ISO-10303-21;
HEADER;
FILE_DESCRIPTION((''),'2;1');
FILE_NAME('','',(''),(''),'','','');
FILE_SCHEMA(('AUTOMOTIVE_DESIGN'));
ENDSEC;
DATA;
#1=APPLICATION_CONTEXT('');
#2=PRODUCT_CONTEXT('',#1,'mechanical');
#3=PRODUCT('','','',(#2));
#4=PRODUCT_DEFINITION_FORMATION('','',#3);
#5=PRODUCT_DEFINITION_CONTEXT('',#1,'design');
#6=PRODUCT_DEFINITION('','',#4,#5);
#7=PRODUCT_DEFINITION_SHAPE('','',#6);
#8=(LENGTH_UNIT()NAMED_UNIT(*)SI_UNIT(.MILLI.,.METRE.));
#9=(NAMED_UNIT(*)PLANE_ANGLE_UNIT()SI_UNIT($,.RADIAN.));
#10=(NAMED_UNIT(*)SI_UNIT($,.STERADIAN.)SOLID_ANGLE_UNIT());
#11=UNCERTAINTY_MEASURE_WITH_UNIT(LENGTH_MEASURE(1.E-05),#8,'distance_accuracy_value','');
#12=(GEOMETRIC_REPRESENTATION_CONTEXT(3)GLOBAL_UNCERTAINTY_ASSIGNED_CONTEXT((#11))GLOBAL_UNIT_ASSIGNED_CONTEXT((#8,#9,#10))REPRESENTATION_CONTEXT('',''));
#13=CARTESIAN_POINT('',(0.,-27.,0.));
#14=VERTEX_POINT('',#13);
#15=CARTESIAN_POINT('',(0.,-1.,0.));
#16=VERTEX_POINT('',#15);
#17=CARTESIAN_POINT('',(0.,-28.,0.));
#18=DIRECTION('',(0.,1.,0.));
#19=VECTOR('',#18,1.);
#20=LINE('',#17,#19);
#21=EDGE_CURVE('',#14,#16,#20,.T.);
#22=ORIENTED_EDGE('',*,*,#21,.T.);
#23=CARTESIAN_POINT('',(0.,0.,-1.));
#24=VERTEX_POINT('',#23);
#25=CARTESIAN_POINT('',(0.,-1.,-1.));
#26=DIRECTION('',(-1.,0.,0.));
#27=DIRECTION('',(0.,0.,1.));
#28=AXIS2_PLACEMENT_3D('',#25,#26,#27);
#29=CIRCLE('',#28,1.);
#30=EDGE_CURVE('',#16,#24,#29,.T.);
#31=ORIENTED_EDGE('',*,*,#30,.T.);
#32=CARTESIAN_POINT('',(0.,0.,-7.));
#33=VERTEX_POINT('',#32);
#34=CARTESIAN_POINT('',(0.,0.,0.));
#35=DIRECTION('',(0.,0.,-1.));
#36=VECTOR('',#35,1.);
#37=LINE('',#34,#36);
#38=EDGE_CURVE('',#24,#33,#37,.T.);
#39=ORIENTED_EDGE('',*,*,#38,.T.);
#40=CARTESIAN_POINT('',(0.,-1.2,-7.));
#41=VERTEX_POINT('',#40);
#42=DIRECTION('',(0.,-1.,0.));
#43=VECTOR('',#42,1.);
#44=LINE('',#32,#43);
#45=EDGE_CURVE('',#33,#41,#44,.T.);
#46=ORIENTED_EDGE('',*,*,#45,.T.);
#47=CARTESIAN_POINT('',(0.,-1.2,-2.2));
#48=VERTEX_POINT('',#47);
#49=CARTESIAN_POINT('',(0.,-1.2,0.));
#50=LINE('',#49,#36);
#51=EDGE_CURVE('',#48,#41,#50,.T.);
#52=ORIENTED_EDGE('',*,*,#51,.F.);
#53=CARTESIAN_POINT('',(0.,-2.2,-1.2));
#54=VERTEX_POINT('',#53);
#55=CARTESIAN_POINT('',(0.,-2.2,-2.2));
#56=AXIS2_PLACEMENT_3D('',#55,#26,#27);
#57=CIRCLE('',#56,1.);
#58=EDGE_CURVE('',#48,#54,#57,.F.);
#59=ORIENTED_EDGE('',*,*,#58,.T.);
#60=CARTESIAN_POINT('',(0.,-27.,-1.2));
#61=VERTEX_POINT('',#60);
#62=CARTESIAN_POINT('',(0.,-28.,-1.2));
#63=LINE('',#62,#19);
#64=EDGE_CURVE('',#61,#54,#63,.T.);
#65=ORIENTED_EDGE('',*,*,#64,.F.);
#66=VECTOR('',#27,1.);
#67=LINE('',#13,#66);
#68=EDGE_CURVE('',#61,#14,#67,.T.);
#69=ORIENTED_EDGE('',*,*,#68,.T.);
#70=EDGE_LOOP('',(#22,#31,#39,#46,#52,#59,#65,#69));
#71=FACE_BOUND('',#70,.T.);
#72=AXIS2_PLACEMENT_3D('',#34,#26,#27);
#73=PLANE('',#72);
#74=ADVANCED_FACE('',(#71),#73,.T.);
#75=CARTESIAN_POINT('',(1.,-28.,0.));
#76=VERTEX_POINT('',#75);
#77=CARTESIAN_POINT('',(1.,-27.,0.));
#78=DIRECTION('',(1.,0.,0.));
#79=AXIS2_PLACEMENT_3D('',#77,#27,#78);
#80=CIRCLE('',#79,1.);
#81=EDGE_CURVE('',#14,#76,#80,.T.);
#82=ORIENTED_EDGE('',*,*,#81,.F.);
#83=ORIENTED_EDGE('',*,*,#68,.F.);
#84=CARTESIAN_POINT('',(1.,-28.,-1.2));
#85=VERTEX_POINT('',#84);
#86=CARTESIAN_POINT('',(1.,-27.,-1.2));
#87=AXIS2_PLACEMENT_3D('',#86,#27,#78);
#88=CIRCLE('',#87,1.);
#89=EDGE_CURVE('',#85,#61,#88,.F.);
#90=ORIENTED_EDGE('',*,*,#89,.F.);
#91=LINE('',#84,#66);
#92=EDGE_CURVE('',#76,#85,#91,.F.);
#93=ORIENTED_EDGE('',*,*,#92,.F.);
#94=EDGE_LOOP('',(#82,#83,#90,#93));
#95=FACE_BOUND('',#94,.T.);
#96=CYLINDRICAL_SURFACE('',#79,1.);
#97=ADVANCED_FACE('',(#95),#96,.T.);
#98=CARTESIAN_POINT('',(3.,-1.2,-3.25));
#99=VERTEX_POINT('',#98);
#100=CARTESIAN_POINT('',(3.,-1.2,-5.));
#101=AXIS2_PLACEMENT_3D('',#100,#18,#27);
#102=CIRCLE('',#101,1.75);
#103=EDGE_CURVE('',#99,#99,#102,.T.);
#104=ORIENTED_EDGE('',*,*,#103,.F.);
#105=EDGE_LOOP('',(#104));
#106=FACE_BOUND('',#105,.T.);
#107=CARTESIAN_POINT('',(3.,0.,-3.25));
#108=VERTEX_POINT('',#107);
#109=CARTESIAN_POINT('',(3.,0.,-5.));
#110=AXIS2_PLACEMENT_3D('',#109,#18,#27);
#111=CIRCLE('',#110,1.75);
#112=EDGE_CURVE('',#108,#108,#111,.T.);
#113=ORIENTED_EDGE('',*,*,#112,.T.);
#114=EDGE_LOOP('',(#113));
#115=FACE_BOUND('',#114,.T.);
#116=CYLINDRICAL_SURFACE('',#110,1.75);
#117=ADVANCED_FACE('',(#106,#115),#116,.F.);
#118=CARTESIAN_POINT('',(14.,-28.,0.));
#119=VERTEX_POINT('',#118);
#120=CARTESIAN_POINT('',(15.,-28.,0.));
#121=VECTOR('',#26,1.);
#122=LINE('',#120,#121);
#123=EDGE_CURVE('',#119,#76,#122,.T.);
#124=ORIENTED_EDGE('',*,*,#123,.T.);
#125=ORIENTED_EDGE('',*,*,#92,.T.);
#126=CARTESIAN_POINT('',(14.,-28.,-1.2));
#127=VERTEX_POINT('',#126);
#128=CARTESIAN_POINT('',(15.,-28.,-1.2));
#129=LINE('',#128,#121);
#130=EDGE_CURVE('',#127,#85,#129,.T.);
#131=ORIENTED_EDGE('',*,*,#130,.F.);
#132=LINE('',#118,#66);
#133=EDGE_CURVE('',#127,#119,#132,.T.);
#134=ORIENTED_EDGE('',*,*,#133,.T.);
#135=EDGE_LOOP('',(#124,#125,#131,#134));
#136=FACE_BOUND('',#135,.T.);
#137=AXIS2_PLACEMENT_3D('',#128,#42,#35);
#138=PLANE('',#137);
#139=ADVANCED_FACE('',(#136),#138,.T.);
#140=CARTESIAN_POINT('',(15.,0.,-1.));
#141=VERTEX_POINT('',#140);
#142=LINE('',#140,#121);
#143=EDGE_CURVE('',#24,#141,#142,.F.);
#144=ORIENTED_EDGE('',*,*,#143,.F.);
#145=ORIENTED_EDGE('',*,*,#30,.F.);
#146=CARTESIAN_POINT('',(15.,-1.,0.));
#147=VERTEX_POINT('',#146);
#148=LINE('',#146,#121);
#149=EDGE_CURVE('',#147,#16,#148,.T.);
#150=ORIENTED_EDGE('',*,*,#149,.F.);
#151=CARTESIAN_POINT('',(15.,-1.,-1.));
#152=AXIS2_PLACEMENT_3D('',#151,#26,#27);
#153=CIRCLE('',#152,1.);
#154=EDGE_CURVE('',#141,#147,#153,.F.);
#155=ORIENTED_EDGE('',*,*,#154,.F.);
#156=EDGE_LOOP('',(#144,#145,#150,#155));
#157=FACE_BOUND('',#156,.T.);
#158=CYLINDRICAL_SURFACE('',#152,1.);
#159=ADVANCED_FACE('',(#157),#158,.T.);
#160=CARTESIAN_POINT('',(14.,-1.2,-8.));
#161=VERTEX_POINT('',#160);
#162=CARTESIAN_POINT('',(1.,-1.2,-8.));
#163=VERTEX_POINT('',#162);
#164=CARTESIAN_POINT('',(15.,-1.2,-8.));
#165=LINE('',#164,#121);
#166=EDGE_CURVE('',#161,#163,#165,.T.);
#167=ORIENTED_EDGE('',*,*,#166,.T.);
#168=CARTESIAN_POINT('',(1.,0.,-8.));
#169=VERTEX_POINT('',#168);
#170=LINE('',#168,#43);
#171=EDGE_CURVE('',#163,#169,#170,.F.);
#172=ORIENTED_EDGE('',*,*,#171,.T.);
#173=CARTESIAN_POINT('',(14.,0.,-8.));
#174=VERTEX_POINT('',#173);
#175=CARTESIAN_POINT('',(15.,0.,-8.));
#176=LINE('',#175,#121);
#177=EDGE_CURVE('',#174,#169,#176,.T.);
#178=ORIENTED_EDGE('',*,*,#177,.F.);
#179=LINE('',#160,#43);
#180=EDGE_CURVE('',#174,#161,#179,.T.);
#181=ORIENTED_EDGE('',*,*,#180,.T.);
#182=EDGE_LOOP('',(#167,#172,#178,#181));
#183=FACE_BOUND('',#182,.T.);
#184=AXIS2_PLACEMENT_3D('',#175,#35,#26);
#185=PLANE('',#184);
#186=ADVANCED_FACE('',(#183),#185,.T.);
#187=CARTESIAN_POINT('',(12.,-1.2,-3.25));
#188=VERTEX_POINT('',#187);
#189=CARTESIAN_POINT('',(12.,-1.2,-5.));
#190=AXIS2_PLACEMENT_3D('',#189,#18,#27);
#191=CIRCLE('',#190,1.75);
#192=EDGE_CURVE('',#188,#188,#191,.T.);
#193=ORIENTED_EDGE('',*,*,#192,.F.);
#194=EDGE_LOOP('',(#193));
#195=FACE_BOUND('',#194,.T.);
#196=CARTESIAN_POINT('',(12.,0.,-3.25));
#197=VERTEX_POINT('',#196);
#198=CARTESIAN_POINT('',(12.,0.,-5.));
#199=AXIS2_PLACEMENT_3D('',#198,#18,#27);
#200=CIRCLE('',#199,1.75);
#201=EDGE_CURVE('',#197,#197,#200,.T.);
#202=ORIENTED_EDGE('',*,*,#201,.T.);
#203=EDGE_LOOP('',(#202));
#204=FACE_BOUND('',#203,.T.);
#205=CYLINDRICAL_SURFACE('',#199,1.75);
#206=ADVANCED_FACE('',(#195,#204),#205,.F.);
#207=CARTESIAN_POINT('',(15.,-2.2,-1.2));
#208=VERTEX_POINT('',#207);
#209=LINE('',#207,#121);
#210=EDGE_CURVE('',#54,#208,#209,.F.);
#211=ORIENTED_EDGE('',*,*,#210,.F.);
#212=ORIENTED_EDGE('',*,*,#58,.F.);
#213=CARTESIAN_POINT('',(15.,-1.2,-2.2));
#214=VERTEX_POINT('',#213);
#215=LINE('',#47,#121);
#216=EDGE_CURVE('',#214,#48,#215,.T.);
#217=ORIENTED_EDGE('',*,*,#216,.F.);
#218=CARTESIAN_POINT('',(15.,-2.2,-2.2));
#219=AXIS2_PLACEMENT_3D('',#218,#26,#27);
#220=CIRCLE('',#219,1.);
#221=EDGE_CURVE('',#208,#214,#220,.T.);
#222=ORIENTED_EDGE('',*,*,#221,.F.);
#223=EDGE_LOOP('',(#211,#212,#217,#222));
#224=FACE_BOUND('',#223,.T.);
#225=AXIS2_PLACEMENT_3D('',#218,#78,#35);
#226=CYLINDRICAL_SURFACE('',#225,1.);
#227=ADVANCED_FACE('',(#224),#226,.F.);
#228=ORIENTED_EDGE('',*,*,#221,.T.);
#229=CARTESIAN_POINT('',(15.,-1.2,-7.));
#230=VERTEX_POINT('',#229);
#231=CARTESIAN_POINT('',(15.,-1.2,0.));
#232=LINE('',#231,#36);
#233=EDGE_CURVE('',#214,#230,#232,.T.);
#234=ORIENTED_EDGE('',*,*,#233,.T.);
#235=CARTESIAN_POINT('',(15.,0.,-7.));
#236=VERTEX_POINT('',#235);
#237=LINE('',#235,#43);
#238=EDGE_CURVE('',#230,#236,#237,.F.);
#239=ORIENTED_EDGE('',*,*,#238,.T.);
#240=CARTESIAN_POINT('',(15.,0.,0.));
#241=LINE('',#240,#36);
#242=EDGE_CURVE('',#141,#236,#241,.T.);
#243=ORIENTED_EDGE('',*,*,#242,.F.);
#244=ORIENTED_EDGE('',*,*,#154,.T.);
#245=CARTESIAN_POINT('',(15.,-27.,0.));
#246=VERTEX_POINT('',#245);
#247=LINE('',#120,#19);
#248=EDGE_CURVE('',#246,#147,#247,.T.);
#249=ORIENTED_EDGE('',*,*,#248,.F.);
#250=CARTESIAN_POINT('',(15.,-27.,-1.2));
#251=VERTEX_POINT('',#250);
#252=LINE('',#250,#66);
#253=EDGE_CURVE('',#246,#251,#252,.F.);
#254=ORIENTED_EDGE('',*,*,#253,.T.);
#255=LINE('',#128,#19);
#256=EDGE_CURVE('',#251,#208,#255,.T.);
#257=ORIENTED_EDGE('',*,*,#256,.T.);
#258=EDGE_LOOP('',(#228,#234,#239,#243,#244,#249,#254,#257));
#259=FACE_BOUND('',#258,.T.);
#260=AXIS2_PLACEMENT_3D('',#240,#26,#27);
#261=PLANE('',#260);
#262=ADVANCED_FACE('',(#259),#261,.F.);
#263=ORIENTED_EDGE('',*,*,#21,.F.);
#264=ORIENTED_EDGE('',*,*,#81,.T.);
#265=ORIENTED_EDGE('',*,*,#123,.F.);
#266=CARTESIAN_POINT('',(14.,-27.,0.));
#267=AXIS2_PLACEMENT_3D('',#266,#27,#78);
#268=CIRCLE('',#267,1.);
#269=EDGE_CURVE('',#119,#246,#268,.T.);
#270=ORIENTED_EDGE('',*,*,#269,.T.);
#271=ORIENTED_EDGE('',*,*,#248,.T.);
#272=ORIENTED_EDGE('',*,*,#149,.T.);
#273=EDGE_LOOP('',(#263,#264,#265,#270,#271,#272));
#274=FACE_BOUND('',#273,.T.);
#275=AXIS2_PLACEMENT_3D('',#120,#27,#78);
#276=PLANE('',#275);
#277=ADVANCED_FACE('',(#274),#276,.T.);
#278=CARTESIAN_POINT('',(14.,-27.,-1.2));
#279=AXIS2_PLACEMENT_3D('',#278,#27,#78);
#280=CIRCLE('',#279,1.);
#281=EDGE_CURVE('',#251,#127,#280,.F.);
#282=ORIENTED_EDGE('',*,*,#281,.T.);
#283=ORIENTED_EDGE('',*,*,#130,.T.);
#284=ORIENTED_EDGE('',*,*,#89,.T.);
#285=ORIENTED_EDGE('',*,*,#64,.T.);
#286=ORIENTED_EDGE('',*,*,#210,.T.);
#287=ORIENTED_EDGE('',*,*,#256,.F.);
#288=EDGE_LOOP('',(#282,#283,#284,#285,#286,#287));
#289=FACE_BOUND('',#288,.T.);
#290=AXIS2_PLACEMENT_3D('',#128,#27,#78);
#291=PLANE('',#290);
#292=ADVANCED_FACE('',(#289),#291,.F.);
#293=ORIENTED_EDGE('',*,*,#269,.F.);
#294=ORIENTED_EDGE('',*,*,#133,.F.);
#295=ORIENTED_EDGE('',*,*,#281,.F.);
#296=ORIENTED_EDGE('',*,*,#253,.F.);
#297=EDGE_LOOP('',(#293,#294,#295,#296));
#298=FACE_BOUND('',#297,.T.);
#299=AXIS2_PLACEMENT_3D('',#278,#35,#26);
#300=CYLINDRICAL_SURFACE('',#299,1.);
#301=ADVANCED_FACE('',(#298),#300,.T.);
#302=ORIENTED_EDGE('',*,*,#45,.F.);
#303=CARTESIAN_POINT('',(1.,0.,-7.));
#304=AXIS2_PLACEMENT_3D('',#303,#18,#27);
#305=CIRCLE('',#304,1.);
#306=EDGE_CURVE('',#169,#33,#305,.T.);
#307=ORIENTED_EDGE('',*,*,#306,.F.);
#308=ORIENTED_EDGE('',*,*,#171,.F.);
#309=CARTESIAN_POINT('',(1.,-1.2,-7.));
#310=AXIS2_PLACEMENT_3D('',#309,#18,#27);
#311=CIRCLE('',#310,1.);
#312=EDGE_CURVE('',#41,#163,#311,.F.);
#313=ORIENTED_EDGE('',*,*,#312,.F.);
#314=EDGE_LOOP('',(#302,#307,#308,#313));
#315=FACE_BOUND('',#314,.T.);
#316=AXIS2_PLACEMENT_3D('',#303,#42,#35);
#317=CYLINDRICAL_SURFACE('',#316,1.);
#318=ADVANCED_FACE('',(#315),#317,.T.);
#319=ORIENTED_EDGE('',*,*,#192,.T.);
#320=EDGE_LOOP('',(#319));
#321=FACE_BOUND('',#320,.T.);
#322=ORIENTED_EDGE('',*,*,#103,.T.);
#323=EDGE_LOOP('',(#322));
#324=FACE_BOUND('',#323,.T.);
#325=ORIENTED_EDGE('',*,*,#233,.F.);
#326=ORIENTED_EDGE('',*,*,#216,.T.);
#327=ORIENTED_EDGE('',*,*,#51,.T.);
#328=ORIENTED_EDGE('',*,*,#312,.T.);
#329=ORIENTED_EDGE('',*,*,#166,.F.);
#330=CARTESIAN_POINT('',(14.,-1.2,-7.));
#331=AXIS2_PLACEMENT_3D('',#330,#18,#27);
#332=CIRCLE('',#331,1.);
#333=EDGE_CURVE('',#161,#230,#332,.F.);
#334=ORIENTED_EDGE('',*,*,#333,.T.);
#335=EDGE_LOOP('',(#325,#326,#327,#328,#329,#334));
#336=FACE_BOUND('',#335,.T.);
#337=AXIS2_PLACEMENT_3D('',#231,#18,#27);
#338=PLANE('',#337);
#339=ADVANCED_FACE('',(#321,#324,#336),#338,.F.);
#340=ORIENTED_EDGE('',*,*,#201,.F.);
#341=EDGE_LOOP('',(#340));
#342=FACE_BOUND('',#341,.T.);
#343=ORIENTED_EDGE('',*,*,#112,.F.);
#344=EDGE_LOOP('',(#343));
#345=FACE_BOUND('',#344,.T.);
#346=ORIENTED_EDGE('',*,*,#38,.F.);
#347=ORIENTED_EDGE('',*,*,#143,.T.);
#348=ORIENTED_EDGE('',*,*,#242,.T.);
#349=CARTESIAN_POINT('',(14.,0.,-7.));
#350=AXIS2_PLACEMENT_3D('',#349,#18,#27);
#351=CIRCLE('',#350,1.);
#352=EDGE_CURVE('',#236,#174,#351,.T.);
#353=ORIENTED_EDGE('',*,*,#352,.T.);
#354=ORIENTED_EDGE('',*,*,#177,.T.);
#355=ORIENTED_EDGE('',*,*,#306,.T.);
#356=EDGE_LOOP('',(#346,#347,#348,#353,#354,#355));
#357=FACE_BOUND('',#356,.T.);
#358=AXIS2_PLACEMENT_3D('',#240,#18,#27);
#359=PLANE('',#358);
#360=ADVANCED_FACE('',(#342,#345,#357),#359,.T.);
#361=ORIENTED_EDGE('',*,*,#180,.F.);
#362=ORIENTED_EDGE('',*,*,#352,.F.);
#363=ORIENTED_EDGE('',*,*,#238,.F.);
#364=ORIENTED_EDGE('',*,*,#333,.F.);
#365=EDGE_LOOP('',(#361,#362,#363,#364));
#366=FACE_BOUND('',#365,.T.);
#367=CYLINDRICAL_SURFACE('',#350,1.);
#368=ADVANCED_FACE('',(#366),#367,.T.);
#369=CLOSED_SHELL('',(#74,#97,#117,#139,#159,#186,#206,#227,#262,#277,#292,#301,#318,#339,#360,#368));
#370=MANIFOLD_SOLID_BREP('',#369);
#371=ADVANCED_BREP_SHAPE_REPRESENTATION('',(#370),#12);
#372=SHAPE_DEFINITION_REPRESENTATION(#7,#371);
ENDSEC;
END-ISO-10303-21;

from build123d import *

# Parameters (mm, degrees)
EXTRUDE_1_DEPTH             = 15
HOLE_WIZARD_3_5_3_5_1_D     = 3.5
HOLE_WIZARD_3_5_3_5_1_DEPTH = 4
FILLET_1_R                  = 1
FILLET_2_R                  = 1


with BuildPart() as part:
    # 草图5 → 拉伸-薄壁1 (new body)
    with BuildSketch(Plane(origin=(0, 0, 0), x_dir=(0, 0, -1), z_dir=(1, 0, 0))):
        Polygon((0, -28), (0, 0), (8, 0), (8, -1.2), (1.2, -1.2), (1.2, -28), align=None)
    extrude(amount=EXTRUDE_1_DEPTH)

    # Ø3.5 (3.5) 直径孔1
    with Locations(Plane(origin=(4.305374672, 0, -7.219790434), x_dir=(1, 0, 0), z_dir=(0, 1, 0))):
        with Locations((7.694625328, -2.219790434), (-1.305374672, -2.219790434)):
            Hole(HOLE_WIZARD_3_5_3_5_1_D / 2, depth=HOLE_WIZARD_3_5_3_5_1_DEPTH)

    # 圆角1
    fillet_1_edges = [part.edges().sort_by_distance(p)[0] for p in [
        (15, -28, -0.6),
        (0, -28, -0.6),
        (0, -0.6, -8),
        (15, -0.6, -8),
    ]]
    fillet(fillet_1_edges, radius=FILLET_1_R)

    # 圆角2
    fillet_2_edges = [part.edges().sort_by_distance(p)[0] for p in [
        (7.5, -1.2, -1.2),
        (7.5, 0, 0),
    ]]
    fillet(fillet_2_edges, radius=FILLET_2_R)


solid = part.part
